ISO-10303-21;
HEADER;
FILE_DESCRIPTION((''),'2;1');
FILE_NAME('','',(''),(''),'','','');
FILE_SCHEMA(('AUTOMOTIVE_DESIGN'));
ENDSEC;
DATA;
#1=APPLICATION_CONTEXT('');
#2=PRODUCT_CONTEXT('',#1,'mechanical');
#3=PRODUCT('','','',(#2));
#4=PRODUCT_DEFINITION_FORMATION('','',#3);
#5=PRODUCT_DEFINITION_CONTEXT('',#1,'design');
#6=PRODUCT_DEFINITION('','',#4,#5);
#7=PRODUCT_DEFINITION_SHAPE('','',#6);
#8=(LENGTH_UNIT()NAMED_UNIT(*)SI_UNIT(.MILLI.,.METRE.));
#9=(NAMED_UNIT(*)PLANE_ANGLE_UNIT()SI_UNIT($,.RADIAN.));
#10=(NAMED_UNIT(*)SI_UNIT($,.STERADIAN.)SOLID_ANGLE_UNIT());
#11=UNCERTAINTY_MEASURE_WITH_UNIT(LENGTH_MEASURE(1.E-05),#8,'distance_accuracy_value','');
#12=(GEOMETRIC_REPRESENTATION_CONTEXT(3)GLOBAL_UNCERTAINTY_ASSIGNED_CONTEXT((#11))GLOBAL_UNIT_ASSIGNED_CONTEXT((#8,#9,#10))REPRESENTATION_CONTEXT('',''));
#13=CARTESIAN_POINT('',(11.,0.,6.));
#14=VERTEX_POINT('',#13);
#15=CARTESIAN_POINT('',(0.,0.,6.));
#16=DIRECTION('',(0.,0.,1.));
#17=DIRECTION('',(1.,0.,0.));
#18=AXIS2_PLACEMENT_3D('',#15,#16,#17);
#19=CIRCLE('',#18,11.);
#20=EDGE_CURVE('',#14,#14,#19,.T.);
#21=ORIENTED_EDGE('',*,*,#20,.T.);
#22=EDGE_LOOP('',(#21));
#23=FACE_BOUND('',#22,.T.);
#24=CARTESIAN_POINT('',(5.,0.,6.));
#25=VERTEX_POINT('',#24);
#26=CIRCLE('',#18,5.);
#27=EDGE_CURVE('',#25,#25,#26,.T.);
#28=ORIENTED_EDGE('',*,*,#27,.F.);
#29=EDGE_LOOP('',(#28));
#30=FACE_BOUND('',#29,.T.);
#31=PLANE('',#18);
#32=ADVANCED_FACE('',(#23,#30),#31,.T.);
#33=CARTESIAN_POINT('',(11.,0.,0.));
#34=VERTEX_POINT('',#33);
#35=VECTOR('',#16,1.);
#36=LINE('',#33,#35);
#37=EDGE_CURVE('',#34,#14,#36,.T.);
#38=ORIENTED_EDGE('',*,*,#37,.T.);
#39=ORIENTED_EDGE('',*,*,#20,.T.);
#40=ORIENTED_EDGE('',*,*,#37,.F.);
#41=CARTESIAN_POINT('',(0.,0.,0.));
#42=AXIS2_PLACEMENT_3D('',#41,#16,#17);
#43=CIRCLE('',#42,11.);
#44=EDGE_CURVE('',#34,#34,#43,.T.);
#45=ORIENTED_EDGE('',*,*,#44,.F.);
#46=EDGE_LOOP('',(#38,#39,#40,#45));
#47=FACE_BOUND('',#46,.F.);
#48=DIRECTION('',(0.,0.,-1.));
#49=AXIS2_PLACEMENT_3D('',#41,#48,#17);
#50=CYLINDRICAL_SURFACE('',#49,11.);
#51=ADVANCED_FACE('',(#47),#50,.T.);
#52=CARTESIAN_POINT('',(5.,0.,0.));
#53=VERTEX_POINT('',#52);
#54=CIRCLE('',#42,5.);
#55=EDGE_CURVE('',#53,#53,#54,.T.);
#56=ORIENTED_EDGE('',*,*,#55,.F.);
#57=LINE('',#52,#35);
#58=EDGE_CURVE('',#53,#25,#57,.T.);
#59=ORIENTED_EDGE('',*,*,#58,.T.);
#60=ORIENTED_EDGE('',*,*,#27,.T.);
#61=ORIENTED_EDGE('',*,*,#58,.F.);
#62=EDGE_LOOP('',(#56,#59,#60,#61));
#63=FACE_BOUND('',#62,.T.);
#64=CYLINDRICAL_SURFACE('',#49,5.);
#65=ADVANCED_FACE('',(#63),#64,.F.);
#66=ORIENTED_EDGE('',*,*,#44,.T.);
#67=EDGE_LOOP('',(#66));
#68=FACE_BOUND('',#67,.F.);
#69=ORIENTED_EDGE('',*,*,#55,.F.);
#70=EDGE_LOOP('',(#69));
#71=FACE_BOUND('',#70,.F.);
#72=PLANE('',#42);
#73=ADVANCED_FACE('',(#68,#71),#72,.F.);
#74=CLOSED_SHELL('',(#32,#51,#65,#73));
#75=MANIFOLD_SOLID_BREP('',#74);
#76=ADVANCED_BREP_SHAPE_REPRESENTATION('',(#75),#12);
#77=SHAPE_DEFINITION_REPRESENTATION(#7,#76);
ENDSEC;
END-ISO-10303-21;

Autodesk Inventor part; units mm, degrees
ref_plane "YZ Plane" through (0, 0, 0) normal (1, 0, 0) x (0, 1, 0)
ref_plane "XZ Plane" through (0, 0, 0) normal (0, 1, 0) x (-1, 0, 0)
ref_plane "XY Plane" through (0, 0, 0) normal (0, 0, 1) x (1, 0, 0)
sketch "Эскиз1" plane through (0, 0, 0) normal (0, 0, 1) x (1, 0, 0)
  circle A0 centre (0, 0) radius 5
  circle A1 centre (0, 0) radius 11
  dimension "d0" = 10
  dimension "d1" = 22
extrude "Выдавливание1" add sketch "Эскиз1" along normal blind 6
properties part number "Podsh"
